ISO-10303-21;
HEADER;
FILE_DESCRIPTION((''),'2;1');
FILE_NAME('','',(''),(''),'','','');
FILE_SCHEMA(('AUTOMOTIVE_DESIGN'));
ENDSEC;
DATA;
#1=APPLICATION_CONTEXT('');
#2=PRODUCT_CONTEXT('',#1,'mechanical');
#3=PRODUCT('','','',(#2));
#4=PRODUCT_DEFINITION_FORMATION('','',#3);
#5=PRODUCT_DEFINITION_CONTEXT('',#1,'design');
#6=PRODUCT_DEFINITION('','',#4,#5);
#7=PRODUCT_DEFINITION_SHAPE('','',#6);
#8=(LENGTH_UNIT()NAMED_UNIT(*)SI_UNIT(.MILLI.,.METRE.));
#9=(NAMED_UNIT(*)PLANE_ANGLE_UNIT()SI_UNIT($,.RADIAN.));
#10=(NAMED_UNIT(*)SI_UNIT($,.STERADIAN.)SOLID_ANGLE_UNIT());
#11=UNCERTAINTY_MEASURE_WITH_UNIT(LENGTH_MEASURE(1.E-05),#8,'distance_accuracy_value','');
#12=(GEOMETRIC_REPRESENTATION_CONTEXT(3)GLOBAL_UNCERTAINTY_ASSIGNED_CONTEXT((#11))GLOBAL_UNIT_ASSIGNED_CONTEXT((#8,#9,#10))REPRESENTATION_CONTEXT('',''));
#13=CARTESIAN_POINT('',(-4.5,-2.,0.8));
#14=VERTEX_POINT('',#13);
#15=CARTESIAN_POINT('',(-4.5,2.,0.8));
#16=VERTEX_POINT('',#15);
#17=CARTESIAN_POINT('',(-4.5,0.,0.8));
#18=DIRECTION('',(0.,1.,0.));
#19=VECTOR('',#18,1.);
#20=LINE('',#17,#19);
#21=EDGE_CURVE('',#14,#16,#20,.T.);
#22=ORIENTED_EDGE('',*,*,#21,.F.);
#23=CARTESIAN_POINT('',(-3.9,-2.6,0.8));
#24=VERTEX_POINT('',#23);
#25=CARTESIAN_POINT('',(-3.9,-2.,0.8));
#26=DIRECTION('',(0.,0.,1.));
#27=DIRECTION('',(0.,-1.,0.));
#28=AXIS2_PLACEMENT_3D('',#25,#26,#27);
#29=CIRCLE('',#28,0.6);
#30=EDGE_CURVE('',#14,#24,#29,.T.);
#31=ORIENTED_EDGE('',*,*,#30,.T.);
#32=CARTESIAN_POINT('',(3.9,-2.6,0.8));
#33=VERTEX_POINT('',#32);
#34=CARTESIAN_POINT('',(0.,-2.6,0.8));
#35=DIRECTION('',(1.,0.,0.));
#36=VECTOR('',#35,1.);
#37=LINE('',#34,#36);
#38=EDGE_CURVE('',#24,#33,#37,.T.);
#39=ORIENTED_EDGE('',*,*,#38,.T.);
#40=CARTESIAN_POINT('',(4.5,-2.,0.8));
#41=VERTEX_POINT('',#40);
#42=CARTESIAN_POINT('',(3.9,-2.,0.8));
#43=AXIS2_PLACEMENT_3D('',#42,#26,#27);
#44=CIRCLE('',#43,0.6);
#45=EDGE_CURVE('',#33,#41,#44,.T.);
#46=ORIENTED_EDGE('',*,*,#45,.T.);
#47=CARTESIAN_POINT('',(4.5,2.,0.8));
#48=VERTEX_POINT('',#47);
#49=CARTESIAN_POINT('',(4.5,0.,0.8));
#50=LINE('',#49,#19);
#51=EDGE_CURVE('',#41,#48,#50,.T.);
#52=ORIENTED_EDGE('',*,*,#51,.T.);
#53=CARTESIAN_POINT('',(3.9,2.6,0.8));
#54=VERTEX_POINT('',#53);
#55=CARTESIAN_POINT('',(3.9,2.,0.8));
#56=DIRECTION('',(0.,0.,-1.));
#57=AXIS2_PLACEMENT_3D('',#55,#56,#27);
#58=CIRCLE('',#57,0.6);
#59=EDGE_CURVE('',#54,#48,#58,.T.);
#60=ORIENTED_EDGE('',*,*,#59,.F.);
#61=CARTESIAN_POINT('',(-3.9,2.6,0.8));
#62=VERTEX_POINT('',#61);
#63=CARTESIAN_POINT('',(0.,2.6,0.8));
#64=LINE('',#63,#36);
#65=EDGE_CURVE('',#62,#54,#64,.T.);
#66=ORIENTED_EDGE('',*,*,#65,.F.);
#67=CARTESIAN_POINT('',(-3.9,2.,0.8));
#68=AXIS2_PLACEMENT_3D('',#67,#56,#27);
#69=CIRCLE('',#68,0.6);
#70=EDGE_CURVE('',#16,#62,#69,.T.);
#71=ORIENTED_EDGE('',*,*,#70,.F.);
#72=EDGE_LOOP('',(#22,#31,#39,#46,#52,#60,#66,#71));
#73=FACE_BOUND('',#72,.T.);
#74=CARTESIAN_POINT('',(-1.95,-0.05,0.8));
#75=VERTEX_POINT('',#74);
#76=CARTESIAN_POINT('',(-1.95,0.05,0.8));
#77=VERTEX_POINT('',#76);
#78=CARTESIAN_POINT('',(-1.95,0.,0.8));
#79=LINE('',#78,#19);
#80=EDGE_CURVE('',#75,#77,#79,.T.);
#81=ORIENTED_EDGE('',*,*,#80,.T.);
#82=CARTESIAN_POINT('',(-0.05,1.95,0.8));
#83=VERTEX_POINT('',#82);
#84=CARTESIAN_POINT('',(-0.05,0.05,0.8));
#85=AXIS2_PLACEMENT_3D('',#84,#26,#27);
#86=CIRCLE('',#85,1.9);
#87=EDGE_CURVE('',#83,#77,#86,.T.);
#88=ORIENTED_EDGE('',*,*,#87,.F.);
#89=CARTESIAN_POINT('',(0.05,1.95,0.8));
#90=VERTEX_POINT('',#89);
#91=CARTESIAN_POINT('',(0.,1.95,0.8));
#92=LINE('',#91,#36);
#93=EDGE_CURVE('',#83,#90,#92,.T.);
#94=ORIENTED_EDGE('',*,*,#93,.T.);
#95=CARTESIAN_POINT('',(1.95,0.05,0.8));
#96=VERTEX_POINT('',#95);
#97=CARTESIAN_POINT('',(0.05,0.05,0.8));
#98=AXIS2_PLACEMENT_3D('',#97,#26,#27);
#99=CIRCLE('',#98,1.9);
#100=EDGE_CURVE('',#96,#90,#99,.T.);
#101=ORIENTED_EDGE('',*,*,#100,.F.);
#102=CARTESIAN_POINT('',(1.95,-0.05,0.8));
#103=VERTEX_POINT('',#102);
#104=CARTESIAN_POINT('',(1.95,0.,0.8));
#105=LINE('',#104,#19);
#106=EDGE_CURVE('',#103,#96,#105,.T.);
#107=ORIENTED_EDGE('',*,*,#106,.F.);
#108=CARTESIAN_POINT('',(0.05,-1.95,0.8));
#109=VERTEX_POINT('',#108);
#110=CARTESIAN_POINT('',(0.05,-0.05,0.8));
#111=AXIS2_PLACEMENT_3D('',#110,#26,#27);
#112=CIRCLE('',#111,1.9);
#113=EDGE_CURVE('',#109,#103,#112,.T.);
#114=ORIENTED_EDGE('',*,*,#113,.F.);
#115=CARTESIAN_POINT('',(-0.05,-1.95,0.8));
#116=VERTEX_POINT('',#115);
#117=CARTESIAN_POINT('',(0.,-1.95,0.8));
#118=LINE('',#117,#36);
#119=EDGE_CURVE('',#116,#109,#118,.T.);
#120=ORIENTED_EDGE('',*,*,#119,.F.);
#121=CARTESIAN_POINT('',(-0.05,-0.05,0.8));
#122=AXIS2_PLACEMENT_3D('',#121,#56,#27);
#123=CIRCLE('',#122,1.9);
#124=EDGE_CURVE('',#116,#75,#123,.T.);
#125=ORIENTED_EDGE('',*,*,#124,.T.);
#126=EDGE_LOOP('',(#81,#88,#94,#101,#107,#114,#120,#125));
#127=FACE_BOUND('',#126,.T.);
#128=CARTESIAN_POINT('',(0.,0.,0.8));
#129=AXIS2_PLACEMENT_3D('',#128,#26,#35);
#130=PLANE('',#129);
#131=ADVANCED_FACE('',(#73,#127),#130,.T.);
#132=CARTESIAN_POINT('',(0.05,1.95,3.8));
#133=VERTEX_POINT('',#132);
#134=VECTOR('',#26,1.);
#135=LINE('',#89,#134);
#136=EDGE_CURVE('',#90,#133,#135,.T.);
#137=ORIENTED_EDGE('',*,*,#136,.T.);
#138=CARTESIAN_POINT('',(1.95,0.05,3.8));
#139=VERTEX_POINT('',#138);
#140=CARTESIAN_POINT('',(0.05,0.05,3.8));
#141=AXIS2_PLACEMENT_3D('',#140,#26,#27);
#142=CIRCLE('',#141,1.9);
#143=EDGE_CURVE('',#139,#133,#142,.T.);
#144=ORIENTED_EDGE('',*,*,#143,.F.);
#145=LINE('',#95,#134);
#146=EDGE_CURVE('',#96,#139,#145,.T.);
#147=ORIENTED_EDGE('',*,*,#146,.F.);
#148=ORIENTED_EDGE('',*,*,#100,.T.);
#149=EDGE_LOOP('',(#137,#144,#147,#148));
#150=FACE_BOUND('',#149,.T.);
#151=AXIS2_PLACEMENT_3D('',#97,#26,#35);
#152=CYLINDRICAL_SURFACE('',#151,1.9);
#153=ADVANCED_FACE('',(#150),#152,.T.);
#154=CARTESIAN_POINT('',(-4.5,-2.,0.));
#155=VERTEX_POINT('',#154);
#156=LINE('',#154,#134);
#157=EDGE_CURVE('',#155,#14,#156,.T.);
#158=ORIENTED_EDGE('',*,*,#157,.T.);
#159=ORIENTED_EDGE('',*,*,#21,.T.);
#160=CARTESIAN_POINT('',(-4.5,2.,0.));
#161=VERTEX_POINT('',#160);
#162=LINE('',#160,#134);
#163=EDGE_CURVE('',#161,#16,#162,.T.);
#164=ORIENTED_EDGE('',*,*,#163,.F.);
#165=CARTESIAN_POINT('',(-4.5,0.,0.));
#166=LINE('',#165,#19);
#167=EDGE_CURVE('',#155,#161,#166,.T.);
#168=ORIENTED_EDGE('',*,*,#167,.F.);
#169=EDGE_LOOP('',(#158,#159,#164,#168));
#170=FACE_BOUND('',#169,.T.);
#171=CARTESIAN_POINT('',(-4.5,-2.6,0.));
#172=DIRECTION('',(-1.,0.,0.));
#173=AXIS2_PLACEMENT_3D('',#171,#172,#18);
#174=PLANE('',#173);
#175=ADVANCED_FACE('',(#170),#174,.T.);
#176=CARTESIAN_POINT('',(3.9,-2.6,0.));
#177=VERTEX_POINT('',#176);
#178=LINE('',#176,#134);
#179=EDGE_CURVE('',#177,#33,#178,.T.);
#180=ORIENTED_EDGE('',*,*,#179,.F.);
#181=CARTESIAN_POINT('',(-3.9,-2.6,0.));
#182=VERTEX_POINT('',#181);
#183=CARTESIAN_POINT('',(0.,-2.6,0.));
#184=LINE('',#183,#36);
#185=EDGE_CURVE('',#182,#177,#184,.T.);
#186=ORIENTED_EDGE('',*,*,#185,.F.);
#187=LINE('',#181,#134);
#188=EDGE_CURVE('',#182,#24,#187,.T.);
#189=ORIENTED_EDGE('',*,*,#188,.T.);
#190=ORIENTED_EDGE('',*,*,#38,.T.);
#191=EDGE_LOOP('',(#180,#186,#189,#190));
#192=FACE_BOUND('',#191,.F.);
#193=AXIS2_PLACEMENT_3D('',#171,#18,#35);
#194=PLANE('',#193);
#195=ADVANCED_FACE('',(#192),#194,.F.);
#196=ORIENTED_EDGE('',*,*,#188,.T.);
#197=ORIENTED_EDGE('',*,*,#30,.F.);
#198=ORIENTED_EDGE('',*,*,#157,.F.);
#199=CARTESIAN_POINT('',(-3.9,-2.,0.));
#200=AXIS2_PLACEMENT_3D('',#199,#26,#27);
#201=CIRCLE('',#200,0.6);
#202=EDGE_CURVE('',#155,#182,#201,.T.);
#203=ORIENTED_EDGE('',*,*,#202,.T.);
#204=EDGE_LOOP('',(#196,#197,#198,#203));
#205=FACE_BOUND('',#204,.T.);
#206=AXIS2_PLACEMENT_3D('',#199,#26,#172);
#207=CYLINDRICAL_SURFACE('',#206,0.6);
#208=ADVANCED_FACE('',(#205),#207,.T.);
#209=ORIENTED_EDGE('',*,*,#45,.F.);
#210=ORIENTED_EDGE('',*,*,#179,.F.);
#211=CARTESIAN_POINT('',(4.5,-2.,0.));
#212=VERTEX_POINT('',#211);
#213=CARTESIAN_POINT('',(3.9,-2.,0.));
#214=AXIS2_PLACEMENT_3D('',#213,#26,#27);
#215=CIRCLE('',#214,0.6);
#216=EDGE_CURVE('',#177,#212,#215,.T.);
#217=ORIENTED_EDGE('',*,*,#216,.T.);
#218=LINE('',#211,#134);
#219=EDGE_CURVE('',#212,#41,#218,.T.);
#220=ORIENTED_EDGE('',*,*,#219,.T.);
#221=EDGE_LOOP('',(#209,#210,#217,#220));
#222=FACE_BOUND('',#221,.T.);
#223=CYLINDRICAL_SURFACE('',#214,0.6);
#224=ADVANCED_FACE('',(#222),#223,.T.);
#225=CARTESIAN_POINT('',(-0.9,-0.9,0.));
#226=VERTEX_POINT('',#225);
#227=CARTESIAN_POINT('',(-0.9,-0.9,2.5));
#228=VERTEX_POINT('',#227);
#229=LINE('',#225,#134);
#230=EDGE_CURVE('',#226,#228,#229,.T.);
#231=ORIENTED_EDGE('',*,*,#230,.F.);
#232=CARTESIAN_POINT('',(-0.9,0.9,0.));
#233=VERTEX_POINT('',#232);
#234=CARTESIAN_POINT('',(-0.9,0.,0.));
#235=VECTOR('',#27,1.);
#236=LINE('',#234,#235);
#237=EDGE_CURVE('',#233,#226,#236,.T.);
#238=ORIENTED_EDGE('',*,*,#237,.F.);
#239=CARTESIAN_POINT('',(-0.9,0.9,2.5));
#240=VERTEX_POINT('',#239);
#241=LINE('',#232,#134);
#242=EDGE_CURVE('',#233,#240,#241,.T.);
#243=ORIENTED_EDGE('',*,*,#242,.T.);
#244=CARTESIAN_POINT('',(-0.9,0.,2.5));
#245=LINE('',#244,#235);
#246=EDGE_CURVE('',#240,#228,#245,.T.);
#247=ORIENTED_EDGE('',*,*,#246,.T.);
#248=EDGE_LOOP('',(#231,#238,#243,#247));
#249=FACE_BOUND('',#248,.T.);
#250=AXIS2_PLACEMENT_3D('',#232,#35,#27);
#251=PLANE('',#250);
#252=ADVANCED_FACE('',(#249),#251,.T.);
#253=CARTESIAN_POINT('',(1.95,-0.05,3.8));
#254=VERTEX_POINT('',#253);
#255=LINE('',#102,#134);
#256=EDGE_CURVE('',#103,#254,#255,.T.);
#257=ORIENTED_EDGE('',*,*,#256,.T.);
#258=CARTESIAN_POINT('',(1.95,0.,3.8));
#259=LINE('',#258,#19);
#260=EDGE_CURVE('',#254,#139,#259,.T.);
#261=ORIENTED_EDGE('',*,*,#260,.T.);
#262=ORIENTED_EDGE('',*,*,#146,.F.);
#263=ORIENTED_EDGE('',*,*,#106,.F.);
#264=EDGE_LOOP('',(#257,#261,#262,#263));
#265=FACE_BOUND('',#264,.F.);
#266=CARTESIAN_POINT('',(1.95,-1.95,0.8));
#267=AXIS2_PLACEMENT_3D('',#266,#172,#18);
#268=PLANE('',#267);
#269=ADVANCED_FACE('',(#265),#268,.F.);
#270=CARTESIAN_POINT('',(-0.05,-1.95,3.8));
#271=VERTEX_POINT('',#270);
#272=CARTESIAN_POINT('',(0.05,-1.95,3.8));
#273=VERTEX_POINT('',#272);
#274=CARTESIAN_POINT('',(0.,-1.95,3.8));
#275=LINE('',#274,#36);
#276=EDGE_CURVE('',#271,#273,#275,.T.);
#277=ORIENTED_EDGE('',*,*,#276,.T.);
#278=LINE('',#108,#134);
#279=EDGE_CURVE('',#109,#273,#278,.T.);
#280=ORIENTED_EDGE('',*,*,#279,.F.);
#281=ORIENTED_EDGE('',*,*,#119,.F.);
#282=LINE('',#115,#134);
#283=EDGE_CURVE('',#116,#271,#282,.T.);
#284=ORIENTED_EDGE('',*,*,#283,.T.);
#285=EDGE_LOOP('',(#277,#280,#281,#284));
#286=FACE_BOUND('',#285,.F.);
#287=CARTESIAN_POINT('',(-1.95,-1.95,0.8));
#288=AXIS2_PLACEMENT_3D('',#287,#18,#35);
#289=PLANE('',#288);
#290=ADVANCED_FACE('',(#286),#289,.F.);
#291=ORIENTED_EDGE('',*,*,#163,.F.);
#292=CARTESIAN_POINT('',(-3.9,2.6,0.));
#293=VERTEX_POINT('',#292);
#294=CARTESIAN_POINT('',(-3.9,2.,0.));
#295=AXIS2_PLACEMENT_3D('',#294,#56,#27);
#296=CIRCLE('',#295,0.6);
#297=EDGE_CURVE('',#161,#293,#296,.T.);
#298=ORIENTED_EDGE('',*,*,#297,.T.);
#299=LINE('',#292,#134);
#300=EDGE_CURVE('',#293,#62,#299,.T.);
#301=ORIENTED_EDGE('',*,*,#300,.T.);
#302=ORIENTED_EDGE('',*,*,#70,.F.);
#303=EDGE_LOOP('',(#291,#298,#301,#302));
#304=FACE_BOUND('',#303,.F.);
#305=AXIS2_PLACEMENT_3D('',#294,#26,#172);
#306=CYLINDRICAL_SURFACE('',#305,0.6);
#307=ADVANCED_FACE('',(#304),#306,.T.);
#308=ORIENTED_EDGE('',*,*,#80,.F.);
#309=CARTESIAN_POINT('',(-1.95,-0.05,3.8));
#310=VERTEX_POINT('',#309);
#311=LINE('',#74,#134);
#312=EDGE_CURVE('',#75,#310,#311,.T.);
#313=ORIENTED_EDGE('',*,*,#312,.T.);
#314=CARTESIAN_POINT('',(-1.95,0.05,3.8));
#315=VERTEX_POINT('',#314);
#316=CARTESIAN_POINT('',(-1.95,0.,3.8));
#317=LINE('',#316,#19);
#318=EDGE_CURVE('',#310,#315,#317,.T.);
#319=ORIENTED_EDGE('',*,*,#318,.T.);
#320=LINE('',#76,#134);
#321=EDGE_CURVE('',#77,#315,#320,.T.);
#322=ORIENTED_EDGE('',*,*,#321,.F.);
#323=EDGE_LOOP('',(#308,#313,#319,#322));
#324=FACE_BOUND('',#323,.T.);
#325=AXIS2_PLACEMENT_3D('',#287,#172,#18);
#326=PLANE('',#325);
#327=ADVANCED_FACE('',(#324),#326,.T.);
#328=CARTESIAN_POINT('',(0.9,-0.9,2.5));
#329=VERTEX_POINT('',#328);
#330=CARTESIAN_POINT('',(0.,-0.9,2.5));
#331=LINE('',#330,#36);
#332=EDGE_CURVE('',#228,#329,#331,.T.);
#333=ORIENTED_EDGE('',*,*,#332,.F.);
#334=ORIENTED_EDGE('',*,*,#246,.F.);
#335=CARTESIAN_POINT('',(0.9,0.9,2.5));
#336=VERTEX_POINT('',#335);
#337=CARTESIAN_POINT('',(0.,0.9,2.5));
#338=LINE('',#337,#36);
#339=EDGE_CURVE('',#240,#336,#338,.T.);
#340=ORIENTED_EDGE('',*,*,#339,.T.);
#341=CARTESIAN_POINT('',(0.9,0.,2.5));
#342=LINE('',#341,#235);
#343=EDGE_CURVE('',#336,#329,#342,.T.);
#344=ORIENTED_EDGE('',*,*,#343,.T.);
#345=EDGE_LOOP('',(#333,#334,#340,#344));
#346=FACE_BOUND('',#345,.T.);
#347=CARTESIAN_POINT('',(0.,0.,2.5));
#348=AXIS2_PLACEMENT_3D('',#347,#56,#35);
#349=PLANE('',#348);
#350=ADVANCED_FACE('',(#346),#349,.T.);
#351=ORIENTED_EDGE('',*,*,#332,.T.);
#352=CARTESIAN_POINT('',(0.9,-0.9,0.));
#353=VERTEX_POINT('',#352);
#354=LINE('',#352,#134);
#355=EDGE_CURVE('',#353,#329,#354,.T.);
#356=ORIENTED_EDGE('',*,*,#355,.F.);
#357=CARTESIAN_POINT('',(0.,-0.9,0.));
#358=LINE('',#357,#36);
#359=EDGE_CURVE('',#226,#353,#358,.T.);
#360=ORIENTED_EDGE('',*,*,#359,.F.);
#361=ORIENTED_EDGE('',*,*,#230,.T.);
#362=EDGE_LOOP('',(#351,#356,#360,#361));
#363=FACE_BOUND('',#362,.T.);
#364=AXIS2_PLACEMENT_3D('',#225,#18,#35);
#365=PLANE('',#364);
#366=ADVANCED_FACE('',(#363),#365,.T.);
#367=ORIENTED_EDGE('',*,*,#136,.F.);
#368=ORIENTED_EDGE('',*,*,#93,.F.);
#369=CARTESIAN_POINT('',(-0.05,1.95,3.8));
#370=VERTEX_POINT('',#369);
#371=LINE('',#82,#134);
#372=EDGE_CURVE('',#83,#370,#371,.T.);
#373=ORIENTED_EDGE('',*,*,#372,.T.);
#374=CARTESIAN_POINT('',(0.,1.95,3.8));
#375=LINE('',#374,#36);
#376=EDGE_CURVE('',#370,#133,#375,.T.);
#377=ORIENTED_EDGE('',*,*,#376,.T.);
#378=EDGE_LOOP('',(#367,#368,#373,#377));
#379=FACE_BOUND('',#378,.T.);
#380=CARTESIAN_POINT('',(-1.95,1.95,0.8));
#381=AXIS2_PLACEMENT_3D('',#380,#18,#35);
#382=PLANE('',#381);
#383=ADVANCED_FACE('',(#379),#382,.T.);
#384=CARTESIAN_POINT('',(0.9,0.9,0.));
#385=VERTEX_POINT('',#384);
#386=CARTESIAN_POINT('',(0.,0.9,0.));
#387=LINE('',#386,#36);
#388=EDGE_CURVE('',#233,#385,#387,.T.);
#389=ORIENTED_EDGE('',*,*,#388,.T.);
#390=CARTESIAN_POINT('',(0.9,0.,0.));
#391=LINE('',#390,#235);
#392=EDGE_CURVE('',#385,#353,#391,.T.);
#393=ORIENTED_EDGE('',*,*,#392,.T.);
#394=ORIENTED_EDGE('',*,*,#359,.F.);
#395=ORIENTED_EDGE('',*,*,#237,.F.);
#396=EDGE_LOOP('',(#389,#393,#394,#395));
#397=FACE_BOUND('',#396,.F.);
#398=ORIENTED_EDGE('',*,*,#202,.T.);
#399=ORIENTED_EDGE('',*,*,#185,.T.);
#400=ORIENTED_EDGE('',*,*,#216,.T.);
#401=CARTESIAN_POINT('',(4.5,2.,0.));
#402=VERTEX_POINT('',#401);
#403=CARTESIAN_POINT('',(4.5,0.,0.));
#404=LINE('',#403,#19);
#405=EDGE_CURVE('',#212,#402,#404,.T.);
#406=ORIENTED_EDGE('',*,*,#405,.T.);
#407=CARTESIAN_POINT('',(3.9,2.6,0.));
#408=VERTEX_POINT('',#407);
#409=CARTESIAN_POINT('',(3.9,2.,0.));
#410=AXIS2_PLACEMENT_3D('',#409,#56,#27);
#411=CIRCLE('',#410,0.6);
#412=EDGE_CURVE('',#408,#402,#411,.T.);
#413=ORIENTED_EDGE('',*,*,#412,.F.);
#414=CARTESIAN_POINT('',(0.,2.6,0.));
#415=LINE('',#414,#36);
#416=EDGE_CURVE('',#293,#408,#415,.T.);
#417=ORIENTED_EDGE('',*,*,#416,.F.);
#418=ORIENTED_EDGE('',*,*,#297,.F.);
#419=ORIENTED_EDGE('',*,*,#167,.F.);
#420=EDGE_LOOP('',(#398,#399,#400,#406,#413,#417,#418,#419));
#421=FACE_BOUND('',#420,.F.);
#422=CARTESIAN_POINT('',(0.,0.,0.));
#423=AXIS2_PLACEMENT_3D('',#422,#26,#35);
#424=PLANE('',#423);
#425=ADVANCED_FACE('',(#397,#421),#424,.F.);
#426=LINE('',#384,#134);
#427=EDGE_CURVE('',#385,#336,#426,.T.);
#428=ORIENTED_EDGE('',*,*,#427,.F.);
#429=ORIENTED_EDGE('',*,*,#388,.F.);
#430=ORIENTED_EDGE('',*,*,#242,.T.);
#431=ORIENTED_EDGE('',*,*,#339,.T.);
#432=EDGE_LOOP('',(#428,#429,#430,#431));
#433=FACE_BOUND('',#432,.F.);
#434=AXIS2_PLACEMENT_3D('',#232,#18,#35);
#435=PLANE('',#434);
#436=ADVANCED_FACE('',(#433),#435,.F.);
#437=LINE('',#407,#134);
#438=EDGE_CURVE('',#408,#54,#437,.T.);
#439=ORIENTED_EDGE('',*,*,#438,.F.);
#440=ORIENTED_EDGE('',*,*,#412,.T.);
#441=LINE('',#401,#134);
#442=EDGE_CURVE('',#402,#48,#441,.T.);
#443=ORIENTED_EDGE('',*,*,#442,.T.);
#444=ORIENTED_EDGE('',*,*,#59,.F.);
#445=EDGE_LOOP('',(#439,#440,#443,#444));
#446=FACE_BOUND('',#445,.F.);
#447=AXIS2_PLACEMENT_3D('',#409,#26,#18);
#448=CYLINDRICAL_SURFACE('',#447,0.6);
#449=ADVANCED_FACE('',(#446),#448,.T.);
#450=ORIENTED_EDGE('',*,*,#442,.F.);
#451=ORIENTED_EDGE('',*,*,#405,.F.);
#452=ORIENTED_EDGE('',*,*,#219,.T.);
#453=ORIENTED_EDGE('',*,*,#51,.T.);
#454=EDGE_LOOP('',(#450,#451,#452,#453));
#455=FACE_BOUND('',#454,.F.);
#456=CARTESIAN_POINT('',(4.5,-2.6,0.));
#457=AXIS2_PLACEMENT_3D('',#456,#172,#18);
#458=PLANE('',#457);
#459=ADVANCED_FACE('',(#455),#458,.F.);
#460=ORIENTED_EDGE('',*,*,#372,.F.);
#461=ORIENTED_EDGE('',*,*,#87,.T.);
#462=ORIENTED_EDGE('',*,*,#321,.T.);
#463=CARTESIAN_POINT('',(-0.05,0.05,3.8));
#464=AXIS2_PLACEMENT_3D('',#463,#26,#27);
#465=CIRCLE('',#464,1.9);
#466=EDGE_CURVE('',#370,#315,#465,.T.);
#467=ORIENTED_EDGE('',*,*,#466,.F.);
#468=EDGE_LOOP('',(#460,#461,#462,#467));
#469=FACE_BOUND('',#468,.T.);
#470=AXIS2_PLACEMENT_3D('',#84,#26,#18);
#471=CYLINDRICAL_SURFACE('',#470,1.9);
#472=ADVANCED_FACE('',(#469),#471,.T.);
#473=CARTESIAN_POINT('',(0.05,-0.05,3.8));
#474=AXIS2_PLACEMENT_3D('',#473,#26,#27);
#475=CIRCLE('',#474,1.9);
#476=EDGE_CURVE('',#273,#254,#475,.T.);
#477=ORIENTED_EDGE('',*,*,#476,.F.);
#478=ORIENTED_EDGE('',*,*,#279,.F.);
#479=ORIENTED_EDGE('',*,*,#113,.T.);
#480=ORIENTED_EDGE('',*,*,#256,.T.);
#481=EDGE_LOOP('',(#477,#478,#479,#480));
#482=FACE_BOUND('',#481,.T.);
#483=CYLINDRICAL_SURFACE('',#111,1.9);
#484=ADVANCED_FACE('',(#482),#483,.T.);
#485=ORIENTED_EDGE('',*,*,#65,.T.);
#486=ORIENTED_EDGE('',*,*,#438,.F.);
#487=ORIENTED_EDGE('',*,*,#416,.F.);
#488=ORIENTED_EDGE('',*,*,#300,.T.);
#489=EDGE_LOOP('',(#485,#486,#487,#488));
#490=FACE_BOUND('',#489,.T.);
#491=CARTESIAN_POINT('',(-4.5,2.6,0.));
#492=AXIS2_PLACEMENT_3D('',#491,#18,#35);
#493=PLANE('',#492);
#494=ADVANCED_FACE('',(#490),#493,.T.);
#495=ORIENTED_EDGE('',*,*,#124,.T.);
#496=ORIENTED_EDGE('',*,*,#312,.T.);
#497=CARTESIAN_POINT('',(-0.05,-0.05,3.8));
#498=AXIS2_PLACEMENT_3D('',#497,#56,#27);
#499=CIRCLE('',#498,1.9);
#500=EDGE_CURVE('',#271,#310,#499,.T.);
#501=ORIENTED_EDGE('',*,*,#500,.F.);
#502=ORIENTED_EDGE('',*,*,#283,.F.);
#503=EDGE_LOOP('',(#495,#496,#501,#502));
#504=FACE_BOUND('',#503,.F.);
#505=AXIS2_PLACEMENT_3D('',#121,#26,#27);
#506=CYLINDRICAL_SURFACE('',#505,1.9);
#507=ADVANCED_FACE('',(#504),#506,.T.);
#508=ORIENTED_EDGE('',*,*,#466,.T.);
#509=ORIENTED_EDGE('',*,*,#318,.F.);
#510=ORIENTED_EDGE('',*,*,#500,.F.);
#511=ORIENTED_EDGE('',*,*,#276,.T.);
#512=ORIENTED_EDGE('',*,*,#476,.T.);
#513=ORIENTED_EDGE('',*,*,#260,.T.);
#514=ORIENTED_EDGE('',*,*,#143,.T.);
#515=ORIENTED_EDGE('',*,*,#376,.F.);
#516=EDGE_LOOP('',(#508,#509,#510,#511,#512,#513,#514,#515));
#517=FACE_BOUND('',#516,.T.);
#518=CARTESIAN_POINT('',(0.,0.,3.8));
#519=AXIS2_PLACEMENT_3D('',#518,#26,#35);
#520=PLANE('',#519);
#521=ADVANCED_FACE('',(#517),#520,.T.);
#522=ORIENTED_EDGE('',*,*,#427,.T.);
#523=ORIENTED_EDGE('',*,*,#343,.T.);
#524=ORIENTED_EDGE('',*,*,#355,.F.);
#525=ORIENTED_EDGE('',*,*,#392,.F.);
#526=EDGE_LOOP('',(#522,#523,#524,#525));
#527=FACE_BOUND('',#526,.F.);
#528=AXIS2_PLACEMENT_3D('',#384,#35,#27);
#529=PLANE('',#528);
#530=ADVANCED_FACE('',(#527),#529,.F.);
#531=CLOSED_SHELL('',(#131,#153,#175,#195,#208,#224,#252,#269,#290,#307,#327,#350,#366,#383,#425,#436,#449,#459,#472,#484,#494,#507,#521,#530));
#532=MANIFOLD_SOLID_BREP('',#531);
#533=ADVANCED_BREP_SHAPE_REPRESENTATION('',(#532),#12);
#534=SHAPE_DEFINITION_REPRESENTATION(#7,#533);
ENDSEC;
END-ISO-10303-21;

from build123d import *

# Parameters (mm, degrees)
F0_W     = 9
F0_H     = 5.2
F1_DEPTH = 0.8
F2_W     = 3.9
F2_H     = 3.9
F3_DEPTH = 3
F4_R     = 1.9
F5_R     = 0.6
F6_W     = 1.8
F6_H     = 1.8
F7_DEPTH = 2.5


with BuildPart() as f1:
    # F0 (on Top) → F1 (new body)
    with BuildSketch(Plane.XY):
        Rectangle(F0_W, F0_H)
    extrude(amount=F1_DEPTH)

    # F2 (on face) → F3 (join)
    with BuildSketch(Plane.XY.offset(0.8)):
        Rectangle(F2_W, F2_H)
    extrude(amount=F3_DEPTH)

    # F4
    f4_edges = [f1.edges().sort_by_distance(p)[0] for p in [
        (-1.95, -1.95, 2.3),
        (-1.95, 1.95, 2.3),
        (1.95, -1.95, 2.3),
        (1.95, 1.95, 2.3),
    ]]
    fillet(f4_edges, radius=F4_R)

    # F5
    f5_edges = [f1.edges().sort_by_distance(p)[0] for p in [
        (-4.5, -2.6, 0.4),
        (-4.5, 2.6, 0.4),
        (4.5, -2.6, 0.4),
        (4.5, 2.6, 0.4),
    ]]
    fillet(f5_edges, radius=F5_R)

    # F6 (on face) → F7 (cut)
    with BuildSketch(Plane(origin=(0, 0, 0), x_dir=(1, 0, 0), z_dir=(0, 0, -1))):
        Rectangle(F6_W, F6_H)
    extrude(amount=-F7_DEPTH, mode=Mode.SUBTRACT)


solid = f1.part
